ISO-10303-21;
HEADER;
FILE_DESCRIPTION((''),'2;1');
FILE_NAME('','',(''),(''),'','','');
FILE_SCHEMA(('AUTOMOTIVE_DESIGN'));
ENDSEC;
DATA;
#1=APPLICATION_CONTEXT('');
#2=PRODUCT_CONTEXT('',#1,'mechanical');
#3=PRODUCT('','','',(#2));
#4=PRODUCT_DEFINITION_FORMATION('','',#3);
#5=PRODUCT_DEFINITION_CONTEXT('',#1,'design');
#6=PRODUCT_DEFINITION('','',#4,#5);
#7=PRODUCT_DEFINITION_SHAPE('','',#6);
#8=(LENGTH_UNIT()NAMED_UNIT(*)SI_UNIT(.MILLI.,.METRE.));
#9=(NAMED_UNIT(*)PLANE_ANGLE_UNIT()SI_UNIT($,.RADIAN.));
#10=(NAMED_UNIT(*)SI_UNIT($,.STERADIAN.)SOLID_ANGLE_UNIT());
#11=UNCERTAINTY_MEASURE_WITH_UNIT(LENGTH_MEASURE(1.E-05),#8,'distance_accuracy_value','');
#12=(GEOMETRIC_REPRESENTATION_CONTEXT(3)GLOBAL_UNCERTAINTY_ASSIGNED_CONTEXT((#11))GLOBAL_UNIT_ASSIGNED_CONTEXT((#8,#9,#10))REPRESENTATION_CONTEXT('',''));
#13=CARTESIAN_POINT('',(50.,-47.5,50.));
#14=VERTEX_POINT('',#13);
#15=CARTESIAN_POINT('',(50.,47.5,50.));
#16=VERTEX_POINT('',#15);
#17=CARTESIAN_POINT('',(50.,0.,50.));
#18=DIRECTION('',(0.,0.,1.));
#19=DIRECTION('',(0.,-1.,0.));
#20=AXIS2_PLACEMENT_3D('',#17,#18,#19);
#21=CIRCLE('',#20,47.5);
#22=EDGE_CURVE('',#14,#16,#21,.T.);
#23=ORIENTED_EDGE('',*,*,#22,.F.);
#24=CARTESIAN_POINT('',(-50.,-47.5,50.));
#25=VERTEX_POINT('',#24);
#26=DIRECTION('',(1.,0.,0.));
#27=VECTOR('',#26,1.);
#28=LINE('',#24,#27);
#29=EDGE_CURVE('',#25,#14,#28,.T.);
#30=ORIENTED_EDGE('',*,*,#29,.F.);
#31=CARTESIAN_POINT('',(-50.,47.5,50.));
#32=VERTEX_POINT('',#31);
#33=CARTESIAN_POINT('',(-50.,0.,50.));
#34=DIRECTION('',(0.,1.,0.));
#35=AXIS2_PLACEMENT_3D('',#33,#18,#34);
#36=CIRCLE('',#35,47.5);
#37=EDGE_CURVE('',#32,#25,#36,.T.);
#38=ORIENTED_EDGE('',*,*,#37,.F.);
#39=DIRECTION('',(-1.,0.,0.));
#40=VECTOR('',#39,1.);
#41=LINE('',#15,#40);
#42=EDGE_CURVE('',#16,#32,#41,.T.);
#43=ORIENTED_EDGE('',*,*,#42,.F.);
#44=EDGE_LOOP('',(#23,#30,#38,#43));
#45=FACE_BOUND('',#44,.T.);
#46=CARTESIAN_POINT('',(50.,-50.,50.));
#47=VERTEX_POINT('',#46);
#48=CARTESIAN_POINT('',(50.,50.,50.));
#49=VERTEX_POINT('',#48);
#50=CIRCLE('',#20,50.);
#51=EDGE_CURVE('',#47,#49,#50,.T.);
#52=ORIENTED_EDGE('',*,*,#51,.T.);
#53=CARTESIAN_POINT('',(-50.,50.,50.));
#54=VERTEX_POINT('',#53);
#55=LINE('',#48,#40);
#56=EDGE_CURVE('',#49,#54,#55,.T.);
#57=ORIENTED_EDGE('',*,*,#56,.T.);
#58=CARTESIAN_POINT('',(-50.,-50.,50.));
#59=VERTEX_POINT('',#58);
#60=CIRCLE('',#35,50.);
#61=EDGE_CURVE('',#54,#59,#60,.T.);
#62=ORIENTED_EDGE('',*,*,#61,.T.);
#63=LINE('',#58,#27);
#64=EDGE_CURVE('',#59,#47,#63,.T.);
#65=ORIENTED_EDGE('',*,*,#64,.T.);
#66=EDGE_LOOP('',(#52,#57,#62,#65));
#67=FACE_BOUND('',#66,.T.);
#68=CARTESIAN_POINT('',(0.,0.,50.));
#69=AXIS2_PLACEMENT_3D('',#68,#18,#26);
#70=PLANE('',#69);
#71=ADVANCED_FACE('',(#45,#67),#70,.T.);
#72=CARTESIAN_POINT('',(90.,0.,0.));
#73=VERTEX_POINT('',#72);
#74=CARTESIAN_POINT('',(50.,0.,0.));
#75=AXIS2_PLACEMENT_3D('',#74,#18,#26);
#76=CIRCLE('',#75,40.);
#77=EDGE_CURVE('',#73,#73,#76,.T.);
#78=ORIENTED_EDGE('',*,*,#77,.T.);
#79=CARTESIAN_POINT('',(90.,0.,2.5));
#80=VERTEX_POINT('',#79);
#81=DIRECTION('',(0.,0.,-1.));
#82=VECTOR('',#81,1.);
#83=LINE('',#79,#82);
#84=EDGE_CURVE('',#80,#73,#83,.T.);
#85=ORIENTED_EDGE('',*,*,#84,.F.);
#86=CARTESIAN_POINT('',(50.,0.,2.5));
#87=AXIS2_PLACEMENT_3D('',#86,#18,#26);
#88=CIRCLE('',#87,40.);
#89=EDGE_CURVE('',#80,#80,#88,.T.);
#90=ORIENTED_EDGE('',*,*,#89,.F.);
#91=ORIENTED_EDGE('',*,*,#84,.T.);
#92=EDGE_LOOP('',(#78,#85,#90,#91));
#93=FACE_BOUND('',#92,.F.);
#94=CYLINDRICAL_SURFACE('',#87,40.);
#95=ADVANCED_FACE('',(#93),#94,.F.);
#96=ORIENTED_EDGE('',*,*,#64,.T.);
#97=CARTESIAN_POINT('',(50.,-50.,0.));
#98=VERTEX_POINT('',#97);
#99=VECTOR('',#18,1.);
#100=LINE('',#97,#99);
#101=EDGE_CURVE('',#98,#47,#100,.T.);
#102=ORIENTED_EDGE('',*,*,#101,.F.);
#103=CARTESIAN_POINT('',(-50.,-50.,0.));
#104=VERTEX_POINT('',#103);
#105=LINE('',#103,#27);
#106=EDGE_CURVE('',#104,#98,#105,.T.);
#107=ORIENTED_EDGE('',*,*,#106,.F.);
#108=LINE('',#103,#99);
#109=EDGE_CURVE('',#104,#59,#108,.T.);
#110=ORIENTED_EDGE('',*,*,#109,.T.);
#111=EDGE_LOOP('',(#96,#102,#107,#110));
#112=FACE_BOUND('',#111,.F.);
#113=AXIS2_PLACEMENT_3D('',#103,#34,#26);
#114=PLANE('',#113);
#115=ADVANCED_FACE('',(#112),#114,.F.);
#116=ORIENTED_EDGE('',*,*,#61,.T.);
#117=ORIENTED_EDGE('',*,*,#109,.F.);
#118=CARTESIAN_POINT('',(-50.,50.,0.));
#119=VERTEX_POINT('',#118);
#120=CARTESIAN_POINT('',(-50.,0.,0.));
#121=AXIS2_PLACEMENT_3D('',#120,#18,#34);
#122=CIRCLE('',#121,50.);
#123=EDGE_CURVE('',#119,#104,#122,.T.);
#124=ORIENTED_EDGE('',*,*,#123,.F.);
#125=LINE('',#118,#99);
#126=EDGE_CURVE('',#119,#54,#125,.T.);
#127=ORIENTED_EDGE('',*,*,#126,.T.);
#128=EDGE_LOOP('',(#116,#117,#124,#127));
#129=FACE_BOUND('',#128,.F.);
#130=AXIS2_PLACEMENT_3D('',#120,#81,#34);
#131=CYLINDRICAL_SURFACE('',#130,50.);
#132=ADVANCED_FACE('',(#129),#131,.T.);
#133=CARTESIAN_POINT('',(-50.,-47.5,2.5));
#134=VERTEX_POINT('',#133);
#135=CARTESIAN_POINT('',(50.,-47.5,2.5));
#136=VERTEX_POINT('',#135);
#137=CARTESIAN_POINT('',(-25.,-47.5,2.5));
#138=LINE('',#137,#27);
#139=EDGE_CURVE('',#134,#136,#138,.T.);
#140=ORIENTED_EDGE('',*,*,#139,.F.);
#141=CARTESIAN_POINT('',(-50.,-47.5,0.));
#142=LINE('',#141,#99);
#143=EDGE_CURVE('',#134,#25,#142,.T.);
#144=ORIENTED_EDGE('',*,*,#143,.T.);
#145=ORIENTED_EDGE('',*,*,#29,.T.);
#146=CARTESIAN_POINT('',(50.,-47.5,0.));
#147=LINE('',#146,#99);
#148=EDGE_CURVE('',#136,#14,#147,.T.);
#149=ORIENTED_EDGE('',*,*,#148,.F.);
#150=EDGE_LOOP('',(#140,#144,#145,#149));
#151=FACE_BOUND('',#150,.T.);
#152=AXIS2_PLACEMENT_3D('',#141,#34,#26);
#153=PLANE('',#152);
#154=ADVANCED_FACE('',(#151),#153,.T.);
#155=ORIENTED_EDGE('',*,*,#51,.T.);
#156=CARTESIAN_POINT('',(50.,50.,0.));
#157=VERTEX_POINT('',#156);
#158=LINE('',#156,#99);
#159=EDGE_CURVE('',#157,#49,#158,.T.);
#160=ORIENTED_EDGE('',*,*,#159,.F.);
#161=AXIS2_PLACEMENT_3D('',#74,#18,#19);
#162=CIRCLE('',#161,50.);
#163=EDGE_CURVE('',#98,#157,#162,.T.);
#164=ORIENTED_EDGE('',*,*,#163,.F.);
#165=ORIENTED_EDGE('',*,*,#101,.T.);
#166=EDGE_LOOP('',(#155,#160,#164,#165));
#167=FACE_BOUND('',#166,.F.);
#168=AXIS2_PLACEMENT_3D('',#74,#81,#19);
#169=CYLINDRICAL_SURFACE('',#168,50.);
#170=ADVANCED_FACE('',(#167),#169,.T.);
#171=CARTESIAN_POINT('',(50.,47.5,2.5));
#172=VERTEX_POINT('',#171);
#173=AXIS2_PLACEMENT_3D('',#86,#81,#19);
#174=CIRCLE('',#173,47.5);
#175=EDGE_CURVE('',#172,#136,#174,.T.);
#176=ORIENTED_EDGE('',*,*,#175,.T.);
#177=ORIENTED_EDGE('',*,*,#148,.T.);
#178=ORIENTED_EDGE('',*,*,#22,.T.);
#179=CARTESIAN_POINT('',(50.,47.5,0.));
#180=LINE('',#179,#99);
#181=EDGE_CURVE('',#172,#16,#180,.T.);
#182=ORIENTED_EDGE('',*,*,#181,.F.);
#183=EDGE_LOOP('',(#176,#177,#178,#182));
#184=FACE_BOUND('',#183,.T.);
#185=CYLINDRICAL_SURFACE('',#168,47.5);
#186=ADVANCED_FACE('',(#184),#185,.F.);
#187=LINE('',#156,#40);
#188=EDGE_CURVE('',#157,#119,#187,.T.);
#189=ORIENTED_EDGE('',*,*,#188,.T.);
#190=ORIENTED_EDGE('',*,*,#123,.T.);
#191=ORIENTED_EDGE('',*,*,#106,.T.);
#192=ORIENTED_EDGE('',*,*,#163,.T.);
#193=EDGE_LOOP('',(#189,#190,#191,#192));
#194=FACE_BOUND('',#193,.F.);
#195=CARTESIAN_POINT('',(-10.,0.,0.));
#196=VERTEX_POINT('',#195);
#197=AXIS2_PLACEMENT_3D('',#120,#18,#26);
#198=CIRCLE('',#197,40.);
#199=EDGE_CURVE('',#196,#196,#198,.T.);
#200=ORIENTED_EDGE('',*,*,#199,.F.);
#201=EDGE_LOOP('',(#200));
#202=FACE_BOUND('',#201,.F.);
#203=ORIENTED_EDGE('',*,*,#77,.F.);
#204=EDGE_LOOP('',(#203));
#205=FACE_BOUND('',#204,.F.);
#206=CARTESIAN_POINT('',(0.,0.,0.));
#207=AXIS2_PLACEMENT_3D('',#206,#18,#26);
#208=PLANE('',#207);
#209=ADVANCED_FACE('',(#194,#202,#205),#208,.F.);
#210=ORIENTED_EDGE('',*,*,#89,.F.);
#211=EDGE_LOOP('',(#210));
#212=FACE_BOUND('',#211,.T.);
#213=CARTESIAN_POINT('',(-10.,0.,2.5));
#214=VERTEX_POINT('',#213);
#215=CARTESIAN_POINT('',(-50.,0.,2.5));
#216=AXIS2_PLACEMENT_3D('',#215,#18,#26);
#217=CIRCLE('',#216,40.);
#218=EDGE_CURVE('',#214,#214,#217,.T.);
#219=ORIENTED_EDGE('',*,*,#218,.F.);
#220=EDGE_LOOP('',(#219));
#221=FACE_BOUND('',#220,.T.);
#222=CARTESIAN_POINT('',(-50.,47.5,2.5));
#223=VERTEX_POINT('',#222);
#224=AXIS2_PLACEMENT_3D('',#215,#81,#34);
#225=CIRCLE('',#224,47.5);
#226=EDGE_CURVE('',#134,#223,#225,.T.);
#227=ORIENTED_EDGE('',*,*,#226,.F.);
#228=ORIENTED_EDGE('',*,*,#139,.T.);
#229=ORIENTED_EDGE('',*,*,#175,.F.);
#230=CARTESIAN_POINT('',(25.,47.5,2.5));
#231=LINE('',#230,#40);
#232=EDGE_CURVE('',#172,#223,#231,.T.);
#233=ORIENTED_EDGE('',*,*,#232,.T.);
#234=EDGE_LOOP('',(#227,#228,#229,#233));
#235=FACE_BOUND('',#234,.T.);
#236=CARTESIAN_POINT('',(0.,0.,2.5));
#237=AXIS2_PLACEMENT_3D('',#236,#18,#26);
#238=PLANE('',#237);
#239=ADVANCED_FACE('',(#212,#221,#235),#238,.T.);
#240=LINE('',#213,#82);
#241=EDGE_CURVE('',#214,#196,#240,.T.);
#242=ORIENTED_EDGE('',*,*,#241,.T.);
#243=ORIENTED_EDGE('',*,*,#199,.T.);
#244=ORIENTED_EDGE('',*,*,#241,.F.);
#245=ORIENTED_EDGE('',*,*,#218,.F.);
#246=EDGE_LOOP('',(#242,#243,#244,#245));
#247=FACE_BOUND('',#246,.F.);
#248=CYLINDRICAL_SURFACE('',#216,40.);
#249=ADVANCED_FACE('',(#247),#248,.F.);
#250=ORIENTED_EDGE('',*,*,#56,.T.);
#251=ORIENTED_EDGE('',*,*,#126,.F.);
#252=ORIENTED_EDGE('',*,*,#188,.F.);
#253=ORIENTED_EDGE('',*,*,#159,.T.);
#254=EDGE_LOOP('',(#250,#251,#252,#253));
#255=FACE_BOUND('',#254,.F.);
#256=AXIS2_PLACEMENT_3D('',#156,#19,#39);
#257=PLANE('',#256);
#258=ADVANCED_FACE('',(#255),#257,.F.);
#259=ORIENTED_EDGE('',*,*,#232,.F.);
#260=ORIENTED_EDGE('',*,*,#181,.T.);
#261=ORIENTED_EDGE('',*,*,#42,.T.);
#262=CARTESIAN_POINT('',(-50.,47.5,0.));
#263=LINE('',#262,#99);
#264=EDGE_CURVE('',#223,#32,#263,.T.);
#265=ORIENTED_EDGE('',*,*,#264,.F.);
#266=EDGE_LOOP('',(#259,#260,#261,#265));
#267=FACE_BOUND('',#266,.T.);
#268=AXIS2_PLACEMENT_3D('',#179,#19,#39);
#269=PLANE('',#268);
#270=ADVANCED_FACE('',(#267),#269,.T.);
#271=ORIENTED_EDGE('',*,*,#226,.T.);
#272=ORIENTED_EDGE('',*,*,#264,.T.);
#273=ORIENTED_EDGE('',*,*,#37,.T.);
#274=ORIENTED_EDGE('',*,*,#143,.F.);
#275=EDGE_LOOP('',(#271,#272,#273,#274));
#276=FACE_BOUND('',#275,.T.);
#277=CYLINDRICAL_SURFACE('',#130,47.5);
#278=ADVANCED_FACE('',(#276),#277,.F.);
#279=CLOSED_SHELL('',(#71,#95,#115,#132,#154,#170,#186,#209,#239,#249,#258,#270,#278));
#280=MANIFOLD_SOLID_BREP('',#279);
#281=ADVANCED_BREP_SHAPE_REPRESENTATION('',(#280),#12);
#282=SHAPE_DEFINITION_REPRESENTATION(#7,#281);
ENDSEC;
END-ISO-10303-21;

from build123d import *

# Parameters (mm, degrees)
F1_DEPTH = 50
F2_T     = -2.5
F3_R     = 40
F4_DEPTH = 25


with BuildPart() as f1:
    # F0 (on Top) → F1 (new body)
    with BuildSketch(Plane.XY):
        with BuildLine():
            Line((50, 50), (-50, 50))
            ThreePointArc((-50, 50), (-100, 0), (-50, -50))
            Line((-50, -50), (50, -50))
            ThreePointArc((50, -50), (100, 0), (50, 50))
        make_face()
    extrude(amount=F1_DEPTH)

    # F2
    f2_openings = [f1.faces().sort_by_distance(p)[0] for p in [
        (0, 0, 50),
    ]]
    offset(amount=F2_T, openings=f2_openings)

    # F3 (on face) → F4 (cut)
    with BuildSketch(Plane.XY.offset(2.5)):
        with Locations((-50, 0)):
            Circle(F3_R)
        with Locations((50, 0)):
            Circle(F3_R)
    extrude(amount=-F4_DEPTH, mode=Mode.SUBTRACT)


solid = f1.part
